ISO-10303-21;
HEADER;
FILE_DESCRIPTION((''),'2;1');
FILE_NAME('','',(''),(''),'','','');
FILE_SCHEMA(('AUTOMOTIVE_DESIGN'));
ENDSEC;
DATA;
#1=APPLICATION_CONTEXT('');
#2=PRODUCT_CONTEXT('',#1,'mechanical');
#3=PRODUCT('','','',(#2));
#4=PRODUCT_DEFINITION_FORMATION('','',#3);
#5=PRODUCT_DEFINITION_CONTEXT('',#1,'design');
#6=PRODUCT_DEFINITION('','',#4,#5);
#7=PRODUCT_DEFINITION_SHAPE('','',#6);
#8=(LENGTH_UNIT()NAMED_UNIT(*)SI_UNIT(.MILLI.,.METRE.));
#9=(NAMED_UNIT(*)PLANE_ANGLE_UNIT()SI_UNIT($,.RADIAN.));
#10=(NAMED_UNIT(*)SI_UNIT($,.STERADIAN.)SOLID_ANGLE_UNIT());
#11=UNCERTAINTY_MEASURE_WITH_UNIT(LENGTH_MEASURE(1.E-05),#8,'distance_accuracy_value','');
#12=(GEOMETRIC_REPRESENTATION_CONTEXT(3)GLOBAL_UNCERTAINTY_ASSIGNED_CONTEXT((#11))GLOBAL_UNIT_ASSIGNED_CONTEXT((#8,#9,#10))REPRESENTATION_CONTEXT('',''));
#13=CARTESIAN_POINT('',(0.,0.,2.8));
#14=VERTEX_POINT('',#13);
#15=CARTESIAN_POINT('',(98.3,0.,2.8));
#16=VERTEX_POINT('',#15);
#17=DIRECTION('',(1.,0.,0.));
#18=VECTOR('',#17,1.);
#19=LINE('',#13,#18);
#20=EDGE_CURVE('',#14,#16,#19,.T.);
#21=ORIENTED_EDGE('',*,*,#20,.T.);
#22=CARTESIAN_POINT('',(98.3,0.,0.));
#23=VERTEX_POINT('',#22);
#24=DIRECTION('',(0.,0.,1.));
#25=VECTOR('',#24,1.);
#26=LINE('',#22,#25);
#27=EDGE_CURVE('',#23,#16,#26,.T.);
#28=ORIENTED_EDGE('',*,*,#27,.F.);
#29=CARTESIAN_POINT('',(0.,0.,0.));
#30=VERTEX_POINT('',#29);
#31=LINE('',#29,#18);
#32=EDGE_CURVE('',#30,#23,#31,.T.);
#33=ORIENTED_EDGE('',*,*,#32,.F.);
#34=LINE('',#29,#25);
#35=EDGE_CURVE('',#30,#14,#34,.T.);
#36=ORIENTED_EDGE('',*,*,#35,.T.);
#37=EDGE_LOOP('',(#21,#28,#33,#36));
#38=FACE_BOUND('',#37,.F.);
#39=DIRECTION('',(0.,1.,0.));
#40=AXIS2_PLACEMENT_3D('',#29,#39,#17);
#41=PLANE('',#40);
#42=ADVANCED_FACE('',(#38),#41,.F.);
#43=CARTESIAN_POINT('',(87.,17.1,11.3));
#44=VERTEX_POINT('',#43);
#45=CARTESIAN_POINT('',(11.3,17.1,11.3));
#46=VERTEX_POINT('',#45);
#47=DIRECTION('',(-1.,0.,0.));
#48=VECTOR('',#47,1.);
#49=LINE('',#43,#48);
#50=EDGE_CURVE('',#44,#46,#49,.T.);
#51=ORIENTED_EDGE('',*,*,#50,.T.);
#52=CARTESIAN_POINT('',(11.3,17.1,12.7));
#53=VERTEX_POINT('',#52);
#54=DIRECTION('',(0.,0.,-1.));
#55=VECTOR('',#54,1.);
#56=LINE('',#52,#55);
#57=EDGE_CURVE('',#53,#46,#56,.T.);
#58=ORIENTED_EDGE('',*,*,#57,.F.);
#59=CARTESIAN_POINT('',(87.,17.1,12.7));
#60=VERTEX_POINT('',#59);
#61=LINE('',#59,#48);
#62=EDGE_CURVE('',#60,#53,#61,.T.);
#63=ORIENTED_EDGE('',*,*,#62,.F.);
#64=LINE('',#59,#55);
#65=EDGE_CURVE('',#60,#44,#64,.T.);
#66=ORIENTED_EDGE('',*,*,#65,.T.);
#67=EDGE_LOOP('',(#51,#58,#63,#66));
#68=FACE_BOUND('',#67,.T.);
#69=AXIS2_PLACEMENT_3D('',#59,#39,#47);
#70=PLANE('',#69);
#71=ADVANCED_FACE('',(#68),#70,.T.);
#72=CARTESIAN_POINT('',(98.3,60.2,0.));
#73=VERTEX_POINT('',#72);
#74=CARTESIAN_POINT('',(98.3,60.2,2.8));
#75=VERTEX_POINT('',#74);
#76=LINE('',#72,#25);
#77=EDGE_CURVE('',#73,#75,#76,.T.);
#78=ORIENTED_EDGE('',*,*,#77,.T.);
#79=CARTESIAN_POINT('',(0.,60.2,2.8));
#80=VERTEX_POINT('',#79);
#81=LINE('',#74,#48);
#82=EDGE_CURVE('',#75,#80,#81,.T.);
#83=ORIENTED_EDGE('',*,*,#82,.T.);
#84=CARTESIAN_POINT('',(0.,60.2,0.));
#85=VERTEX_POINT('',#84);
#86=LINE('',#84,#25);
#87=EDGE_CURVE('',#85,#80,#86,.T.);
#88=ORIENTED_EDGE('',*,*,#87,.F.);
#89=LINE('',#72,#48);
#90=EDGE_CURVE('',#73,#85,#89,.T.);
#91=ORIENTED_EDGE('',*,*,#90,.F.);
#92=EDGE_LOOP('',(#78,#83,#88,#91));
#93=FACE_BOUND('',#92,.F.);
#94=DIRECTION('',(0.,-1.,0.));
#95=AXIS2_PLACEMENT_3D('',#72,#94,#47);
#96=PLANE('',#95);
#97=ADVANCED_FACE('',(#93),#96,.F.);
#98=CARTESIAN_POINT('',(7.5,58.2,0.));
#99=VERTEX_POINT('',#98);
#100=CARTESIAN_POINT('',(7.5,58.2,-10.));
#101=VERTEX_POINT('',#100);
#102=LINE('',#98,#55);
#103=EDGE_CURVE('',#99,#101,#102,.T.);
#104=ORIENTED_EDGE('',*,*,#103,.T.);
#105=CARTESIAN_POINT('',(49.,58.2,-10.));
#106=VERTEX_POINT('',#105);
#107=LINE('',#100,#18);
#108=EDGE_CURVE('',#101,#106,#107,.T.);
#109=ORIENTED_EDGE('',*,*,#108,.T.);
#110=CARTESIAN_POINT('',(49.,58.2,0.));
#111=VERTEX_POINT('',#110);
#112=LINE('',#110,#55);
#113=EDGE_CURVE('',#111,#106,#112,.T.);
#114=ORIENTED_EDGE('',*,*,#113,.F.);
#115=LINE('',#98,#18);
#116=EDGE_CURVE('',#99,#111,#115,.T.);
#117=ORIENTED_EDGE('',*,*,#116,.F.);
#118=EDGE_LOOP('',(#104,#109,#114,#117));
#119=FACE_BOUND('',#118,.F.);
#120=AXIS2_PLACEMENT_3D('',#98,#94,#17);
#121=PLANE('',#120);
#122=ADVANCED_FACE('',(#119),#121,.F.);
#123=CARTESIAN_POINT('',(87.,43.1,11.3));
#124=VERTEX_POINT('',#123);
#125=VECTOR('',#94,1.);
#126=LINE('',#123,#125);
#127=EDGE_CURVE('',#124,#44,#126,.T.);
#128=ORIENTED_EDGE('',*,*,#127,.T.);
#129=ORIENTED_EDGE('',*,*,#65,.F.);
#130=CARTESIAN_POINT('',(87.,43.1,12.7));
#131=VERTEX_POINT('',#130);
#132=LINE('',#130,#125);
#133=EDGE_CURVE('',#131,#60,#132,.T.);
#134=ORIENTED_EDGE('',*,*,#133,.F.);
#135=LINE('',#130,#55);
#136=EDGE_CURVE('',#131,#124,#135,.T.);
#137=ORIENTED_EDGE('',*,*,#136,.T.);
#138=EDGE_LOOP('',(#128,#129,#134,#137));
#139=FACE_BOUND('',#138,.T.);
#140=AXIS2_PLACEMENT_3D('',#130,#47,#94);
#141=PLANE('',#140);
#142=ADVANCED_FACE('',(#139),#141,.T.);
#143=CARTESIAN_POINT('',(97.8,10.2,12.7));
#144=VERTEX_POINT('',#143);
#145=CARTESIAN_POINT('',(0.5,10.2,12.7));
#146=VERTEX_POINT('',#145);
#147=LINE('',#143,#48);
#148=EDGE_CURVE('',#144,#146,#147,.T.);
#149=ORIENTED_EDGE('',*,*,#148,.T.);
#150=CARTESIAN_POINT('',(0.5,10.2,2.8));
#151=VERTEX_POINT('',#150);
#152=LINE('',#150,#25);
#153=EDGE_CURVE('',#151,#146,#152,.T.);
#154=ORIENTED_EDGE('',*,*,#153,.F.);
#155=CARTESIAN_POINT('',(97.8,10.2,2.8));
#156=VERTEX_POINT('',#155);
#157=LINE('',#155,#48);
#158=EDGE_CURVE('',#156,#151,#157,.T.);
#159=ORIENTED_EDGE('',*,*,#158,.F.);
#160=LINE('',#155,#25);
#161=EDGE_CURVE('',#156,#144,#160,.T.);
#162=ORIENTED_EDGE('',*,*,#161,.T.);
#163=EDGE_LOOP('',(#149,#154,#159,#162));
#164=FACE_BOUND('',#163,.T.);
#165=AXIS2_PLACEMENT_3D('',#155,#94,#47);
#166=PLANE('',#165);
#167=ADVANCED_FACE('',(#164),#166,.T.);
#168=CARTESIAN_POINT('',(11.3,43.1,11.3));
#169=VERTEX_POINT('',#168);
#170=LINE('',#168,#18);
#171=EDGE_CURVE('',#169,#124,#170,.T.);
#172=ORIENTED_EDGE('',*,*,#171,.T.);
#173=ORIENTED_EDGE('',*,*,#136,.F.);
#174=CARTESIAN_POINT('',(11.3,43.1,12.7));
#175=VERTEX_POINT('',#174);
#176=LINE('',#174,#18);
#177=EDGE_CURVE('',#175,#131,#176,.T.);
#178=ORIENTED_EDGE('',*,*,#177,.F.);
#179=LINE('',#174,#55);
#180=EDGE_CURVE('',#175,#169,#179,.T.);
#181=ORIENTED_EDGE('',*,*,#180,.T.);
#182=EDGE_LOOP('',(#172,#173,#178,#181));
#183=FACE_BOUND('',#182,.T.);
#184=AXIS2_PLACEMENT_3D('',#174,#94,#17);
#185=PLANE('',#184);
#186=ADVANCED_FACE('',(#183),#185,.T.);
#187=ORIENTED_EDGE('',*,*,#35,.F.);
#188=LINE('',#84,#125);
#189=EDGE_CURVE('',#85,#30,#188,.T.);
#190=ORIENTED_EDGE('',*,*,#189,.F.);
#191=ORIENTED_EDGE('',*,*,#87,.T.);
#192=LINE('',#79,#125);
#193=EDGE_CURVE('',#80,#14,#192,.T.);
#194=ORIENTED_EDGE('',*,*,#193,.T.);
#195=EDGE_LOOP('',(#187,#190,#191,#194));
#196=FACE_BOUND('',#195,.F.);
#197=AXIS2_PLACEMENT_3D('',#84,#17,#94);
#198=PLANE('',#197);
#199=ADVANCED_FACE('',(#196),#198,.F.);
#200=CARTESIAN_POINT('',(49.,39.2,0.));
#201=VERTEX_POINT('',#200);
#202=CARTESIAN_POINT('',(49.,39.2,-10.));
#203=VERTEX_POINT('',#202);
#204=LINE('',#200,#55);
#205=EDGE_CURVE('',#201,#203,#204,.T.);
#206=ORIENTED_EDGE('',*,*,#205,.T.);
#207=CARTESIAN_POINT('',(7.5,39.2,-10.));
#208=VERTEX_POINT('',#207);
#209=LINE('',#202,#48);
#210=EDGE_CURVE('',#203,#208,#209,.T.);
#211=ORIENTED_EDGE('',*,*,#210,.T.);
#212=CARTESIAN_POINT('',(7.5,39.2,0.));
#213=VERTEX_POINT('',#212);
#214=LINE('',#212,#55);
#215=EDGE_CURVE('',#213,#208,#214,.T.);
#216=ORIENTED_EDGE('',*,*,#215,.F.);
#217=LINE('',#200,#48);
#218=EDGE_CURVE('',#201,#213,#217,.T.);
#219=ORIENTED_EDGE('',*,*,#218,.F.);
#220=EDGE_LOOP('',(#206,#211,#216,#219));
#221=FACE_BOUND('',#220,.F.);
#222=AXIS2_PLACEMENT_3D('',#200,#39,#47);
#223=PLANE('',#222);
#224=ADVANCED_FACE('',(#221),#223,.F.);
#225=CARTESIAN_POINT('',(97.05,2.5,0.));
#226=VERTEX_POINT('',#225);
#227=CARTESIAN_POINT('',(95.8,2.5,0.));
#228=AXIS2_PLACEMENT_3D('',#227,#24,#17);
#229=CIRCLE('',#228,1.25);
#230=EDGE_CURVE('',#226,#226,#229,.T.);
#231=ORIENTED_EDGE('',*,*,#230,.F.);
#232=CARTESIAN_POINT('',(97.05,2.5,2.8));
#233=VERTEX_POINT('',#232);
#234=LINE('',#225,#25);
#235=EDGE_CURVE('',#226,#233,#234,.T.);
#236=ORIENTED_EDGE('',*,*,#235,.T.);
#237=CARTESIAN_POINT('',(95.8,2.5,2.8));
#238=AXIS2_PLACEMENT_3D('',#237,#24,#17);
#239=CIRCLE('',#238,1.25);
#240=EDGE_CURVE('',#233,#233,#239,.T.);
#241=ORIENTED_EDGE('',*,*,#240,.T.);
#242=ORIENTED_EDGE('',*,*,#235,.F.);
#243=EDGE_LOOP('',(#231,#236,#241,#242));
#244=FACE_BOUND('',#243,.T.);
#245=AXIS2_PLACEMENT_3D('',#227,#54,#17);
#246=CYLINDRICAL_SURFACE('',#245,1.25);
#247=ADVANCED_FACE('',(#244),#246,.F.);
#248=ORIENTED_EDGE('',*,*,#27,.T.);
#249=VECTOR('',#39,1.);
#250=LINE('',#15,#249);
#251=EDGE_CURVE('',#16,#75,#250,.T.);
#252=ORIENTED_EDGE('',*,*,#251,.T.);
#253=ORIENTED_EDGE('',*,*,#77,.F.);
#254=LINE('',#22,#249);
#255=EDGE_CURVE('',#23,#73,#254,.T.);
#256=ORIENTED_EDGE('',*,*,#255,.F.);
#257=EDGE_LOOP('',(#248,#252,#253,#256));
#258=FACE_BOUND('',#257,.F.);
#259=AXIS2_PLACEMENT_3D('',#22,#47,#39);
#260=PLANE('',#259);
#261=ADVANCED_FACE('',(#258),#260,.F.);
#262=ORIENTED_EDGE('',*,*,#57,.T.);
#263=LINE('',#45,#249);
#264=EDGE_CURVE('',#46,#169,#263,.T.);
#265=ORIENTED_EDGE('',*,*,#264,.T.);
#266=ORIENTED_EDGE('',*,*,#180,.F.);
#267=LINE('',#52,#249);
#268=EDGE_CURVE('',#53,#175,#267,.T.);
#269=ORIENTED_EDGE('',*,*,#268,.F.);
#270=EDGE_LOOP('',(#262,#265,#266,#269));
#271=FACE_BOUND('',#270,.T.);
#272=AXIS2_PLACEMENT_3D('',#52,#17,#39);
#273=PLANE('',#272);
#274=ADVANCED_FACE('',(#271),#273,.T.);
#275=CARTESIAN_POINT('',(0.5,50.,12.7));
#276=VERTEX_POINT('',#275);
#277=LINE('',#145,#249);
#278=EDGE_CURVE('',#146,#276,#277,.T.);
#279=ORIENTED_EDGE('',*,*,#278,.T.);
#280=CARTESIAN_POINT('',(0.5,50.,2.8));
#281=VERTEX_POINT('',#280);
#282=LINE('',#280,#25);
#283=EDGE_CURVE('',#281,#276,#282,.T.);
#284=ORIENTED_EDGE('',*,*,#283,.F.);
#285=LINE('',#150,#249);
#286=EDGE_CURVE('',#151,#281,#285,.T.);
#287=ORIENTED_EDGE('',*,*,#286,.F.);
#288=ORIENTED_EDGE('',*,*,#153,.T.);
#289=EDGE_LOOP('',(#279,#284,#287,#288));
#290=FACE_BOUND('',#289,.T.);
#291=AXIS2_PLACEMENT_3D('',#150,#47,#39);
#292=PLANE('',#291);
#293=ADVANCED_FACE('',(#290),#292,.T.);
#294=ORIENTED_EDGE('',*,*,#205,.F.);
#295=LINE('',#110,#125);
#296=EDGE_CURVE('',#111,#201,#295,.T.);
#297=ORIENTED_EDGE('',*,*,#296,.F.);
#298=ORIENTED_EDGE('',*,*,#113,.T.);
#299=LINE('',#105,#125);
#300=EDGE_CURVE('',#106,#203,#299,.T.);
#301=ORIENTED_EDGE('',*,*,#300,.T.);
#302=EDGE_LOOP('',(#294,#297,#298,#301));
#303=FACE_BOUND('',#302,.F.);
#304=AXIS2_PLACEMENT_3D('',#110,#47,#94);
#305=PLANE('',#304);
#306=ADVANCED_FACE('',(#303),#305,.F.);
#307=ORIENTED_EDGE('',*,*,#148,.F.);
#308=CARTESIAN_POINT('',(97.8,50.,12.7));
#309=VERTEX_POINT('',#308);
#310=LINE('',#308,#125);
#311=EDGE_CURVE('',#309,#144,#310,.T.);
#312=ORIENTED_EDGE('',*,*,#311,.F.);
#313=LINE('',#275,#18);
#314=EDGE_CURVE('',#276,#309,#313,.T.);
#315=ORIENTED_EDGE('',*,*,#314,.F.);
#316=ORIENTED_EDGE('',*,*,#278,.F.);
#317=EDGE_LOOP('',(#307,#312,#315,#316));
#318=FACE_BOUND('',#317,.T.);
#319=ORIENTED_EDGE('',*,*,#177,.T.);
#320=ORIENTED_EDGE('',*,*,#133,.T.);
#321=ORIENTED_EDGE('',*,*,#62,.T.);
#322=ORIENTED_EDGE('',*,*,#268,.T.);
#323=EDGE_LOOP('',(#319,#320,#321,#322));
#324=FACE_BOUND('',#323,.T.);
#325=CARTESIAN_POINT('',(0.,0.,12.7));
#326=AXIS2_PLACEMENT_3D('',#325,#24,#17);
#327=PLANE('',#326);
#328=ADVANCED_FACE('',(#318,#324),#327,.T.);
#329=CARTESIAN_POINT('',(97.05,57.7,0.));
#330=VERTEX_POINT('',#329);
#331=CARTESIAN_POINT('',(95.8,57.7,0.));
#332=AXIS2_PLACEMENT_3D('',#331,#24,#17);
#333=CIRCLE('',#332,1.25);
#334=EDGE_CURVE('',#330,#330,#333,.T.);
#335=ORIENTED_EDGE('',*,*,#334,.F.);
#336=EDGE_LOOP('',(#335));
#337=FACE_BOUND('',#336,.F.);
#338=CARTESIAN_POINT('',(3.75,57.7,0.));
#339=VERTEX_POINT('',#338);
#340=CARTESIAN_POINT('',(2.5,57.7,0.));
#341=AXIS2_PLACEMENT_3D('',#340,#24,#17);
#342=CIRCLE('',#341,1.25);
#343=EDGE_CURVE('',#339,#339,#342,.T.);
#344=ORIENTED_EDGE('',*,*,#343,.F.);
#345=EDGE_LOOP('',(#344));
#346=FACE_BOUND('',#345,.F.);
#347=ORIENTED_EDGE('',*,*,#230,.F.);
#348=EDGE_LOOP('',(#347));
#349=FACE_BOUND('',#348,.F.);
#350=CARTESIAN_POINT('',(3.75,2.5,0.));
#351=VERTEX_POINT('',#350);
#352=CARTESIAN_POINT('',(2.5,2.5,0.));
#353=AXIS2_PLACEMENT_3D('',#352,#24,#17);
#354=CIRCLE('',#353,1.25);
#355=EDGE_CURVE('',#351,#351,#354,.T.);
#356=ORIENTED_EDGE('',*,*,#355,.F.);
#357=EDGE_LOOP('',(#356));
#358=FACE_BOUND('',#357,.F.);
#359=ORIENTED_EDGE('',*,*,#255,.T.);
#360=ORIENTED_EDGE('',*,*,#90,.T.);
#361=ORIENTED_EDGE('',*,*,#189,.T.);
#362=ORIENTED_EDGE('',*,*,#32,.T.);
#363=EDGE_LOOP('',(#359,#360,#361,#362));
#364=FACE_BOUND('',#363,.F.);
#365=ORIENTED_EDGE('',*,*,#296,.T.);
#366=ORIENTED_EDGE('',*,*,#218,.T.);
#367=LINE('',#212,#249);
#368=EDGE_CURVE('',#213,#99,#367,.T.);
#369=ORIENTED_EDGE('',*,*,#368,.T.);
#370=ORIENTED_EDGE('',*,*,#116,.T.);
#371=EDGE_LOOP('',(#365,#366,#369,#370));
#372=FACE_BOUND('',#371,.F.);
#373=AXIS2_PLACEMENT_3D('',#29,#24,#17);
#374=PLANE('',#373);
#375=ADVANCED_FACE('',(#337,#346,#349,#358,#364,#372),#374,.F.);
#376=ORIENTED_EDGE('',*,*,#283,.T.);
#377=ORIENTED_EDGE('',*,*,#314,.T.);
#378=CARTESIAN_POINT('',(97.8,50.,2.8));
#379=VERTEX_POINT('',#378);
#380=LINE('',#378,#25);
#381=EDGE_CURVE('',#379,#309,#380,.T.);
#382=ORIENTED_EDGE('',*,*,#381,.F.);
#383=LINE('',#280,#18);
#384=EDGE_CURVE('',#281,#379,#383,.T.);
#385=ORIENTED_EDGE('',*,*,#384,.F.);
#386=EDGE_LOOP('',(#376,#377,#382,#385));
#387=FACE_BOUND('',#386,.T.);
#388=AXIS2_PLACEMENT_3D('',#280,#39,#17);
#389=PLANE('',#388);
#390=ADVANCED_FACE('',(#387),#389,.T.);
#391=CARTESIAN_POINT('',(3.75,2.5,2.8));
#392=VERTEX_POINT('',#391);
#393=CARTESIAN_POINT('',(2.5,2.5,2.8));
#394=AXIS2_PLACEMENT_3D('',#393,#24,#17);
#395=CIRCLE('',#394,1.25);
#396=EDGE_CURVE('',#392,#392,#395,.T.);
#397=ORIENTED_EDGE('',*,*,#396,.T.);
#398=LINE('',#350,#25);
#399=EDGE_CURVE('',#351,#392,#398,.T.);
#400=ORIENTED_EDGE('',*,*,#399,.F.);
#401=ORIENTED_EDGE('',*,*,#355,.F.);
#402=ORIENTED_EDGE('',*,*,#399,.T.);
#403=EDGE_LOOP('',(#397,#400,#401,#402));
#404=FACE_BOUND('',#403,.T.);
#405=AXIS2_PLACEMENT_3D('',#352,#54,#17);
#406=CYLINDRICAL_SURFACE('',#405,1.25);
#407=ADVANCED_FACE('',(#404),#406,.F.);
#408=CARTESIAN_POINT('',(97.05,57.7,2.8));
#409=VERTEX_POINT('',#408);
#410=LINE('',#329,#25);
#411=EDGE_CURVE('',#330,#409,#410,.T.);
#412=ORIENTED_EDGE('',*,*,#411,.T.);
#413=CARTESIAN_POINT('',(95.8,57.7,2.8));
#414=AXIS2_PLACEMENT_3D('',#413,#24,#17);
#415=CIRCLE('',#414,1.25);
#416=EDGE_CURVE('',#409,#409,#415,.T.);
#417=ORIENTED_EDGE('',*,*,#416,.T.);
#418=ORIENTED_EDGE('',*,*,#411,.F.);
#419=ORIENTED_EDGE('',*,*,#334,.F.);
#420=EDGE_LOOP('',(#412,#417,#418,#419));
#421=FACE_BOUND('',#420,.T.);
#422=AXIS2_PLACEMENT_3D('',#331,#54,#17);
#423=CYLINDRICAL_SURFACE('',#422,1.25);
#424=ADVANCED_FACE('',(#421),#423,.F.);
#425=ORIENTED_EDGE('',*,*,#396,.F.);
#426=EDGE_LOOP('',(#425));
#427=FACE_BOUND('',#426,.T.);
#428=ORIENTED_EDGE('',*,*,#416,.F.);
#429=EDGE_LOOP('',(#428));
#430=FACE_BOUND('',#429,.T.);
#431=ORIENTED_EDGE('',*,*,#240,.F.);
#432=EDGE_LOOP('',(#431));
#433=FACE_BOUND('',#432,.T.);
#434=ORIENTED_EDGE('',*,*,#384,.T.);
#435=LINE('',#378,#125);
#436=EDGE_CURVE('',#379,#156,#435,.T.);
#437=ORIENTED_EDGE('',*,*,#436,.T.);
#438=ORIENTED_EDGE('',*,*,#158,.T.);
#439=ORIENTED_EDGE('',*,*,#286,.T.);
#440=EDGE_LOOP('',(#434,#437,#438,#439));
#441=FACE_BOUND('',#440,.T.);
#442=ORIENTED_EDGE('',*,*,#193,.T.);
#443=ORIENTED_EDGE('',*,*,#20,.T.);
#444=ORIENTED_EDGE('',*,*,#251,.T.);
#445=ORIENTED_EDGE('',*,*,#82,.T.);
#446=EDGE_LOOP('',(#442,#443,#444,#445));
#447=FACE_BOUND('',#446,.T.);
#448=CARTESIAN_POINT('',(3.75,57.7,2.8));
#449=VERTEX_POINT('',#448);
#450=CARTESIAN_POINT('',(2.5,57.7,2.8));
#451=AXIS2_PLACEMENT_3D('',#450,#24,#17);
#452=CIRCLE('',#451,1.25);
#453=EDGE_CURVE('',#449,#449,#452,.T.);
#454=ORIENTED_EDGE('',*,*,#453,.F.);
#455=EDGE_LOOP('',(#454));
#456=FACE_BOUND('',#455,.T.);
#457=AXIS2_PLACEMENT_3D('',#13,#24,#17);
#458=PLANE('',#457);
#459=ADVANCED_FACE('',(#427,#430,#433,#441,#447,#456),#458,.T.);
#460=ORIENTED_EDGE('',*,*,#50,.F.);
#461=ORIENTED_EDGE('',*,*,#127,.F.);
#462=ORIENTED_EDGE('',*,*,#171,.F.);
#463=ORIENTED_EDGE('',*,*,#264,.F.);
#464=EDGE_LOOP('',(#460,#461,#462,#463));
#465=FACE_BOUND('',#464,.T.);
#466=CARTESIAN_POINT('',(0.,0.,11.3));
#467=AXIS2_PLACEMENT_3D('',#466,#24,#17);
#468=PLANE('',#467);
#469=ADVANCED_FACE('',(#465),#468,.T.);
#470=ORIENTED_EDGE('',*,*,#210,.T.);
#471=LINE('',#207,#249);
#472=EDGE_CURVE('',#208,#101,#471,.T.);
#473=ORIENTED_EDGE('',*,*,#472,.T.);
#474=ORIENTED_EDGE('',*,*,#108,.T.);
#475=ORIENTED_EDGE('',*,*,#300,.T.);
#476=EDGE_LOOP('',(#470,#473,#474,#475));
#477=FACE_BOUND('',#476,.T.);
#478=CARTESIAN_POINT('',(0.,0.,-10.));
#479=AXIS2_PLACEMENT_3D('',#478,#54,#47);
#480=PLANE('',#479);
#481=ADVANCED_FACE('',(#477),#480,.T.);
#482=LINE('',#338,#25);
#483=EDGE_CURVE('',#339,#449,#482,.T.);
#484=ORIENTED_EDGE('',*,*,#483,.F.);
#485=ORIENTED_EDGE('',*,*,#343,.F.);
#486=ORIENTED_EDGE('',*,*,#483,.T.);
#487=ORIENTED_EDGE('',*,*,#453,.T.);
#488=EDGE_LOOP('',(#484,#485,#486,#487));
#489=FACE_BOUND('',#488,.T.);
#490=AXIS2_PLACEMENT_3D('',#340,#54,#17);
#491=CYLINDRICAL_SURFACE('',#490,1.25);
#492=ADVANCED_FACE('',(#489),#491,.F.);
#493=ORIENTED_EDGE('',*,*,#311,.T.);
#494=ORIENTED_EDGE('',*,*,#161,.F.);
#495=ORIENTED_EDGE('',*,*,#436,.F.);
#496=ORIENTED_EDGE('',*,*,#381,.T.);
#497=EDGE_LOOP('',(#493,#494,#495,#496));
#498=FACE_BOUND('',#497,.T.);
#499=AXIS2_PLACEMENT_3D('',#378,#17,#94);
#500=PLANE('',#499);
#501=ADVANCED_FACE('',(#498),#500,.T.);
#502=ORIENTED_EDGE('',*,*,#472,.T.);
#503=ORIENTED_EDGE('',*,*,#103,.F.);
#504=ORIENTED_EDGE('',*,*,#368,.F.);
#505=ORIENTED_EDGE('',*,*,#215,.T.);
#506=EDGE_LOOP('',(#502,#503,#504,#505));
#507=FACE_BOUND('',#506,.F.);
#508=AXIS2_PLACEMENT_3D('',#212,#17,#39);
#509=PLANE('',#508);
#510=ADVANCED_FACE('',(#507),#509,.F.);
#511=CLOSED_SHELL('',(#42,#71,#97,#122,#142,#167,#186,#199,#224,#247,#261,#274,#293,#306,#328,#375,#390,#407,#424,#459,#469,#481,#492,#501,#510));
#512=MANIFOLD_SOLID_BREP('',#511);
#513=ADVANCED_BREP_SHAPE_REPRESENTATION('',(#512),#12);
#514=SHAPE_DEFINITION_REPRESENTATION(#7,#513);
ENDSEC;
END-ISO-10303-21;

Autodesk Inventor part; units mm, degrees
ref_plane "YZ Plane" through (0, 0, 0) normal (1, 0, 0) x (0, 1, 0)
ref_plane "XZ Plane" through (0, 0, 0) normal (0, 1, 0) x (-1, 0, 0)
ref_plane "XY Plane" through (0, 0, 0) normal (0, 0, 1) x (1, 0, 0)
sketch "Sketch1" plane through (0, 0, 0) normal (0, 0, 1) x (1, 0, 0)
  line L0 (0, 0) -> (98.3, 0)
  line L1 (98.3, 0) -> (98.3, 60.2)
  line L2 (98.3, 60.2) -> (0, 60.2)
  line L3 (0, 60.2) -> (0, 0)
  line L4 (0, 60.2) -> (2.5, 60.2) construction
  line L5 (2.5, 60.2) -> (2.5, 57.7) construction
  line L6 (2.5, 57.7) -> (0, 57.7) construction
  line L7 (0, 57.7) -> (0, 60.2) construction
  circle A0 centre (2.5, 57.7) radius 1.25
  line L8 (49.15, 60.2) -> (49.15, 0) construction
  line L9 (0, 30.1) -> (98.3, 30.1) construction
  circle A1 centre (95.8, 57.7) radius 1.25
  circle A2 centre (2.5, 2.5) radius 1.25
  circle A3 centre (95.8, 2.5) radius 1.25
  dimension "d0" = 98.3
  dimension "d1" = 60.2
  dimension "d2" = 2.5
  dimension "d7" = 2.5
  dimension "d8" = 2.5
extrude "LcdPcb" add sketch "Sketch1" along normal blind 2.8
sketch "Sketch2" plane through (0, 0, 2.8) normal (0, 0, 1) x (1, 0, 0)
  line L0 (98.3, 60.2) -> (0, 60.2) construction
  line L1 (49.15, 60.2) -> (49.15, 0) construction
  line L2 (0, 0) -> (98.3, 0) construction
  line L3 (0, 60.2) -> (0, 0) construction
  line L4 (0, 30.1) -> (98.3, 30.1) construction
  line L5 (98.3, 0) -> (98.3, 60.2) construction
  line L6 (0.5, 50) -> (97.8, 50)
  line L7 (97.8, 50) -> (97.8, 10.2)
  line L8 (97.8, 10.2) -> (0.5, 10.2)
  line L9 (0.5, 10.2) -> (0.5, 50)
  line L10 (0.5, 50) -> (97.8, 10.2) construction
  line L11 (97.8, 50) -> (0.5, 10.2) construction
  point P0 (49.15, 30.1)
  dimension "d15" = 39.8
  dimension "d16" = 97.3
extrude "LcdBezel" add sketch "Sketch2" along normal blind 9.9
sketch "Sketch3" plane through (0, 0, 12.7) normal (0, 0, 1) x (1, 0, 0)
  line L0 (0.5, 50) -> (0.5, 10.2) construction
  line L1 (0.5, 50) -> (11.3, 50) construction
  line L2 (11.3, 50) -> (11.3, 43.1) construction
  line L3 (11.3, 43.1) -> (0.5, 43.1) construction
  line L4 (0.5, 43.1) -> (0.5, 50) construction
  line L5 (11.3, 43.1) -> (87, 43.1)
  line L6 (87, 43.1) -> (87, 17.1)
  line L7 (87, 17.1) -> (11.3, 17.1)
  line L8 (11.3, 17.1) -> (11.3, 43.1)
  point P0 (0, 0)
  dimension "LcdBezelHeight" = 6.9
  dimension "LcdBezelLength" = 10.8
  dimension "d28" = 75.7
  dimension "d29" = 26
extrude "Lcd" cut sketch "Sketch3" against normal blind 1.4
sketch "Sketch4" plane through (0, 0, 0) normal (0, 0, -1) x (-1, 0, 0)
  line L0 (0, 60.2) -> (0, 0) construction
  line L1 (0, 60.2) -> (-7.5, 60.2) construction
  line L2 (-7.5, 60.2) -> (-7.5, 58.2) construction
  line L3 (-7.5, 58.2) -> (0, 58.2) construction
  line L4 (0, 58.2) -> (0, 60.2) construction
  line L5 (-7.5, 58.2) -> (-49, 58.2)
  line L6 (-49, 58.2) -> (-49, 39.2)
  line L7 (-49, 39.2) -> (-7.5, 39.2)
  line L8 (-7.5, 39.2) -> (-7.5, 58.2)
  dimension "LcdRearKeepOutHeightOffset" = 2
  dimension "LcdRearKeepOutLengthOffset" = 7.5
  dimension "LcdRearKeepOutHeight" = 19
  dimension "LcdRearKeepOutLength" = 41.5
extrude "LcdRearKeepOut" add sketch "Sketch4" along normal blind 10
equation "\"d0\" = LcdBorderLength"
equation "\"d1\" = LcdBorderHeight"
equation "\"d2\" = LcdFrameHoleOffset"
equation "\"d7\" = LcdFrameHoleOffset"
equation "\"d8\" = LcdFrameHoleDiameterUntapped"
equation "\"d12\" = LcdPcbThickness"
equation "\"d15\" = LcdHeight"
equation "\"d16\" = LcdLength"
equation "\"d28\" = LcdLength - 2 * LcdBezelLength"
equation "\"d29\" = LcdHeight - 2 * LcdBezelHeight"
equation "\"d30\" = 0.5 * LcdPcbThickness"
properties part number "2020-04-12 LcdAssembly"
